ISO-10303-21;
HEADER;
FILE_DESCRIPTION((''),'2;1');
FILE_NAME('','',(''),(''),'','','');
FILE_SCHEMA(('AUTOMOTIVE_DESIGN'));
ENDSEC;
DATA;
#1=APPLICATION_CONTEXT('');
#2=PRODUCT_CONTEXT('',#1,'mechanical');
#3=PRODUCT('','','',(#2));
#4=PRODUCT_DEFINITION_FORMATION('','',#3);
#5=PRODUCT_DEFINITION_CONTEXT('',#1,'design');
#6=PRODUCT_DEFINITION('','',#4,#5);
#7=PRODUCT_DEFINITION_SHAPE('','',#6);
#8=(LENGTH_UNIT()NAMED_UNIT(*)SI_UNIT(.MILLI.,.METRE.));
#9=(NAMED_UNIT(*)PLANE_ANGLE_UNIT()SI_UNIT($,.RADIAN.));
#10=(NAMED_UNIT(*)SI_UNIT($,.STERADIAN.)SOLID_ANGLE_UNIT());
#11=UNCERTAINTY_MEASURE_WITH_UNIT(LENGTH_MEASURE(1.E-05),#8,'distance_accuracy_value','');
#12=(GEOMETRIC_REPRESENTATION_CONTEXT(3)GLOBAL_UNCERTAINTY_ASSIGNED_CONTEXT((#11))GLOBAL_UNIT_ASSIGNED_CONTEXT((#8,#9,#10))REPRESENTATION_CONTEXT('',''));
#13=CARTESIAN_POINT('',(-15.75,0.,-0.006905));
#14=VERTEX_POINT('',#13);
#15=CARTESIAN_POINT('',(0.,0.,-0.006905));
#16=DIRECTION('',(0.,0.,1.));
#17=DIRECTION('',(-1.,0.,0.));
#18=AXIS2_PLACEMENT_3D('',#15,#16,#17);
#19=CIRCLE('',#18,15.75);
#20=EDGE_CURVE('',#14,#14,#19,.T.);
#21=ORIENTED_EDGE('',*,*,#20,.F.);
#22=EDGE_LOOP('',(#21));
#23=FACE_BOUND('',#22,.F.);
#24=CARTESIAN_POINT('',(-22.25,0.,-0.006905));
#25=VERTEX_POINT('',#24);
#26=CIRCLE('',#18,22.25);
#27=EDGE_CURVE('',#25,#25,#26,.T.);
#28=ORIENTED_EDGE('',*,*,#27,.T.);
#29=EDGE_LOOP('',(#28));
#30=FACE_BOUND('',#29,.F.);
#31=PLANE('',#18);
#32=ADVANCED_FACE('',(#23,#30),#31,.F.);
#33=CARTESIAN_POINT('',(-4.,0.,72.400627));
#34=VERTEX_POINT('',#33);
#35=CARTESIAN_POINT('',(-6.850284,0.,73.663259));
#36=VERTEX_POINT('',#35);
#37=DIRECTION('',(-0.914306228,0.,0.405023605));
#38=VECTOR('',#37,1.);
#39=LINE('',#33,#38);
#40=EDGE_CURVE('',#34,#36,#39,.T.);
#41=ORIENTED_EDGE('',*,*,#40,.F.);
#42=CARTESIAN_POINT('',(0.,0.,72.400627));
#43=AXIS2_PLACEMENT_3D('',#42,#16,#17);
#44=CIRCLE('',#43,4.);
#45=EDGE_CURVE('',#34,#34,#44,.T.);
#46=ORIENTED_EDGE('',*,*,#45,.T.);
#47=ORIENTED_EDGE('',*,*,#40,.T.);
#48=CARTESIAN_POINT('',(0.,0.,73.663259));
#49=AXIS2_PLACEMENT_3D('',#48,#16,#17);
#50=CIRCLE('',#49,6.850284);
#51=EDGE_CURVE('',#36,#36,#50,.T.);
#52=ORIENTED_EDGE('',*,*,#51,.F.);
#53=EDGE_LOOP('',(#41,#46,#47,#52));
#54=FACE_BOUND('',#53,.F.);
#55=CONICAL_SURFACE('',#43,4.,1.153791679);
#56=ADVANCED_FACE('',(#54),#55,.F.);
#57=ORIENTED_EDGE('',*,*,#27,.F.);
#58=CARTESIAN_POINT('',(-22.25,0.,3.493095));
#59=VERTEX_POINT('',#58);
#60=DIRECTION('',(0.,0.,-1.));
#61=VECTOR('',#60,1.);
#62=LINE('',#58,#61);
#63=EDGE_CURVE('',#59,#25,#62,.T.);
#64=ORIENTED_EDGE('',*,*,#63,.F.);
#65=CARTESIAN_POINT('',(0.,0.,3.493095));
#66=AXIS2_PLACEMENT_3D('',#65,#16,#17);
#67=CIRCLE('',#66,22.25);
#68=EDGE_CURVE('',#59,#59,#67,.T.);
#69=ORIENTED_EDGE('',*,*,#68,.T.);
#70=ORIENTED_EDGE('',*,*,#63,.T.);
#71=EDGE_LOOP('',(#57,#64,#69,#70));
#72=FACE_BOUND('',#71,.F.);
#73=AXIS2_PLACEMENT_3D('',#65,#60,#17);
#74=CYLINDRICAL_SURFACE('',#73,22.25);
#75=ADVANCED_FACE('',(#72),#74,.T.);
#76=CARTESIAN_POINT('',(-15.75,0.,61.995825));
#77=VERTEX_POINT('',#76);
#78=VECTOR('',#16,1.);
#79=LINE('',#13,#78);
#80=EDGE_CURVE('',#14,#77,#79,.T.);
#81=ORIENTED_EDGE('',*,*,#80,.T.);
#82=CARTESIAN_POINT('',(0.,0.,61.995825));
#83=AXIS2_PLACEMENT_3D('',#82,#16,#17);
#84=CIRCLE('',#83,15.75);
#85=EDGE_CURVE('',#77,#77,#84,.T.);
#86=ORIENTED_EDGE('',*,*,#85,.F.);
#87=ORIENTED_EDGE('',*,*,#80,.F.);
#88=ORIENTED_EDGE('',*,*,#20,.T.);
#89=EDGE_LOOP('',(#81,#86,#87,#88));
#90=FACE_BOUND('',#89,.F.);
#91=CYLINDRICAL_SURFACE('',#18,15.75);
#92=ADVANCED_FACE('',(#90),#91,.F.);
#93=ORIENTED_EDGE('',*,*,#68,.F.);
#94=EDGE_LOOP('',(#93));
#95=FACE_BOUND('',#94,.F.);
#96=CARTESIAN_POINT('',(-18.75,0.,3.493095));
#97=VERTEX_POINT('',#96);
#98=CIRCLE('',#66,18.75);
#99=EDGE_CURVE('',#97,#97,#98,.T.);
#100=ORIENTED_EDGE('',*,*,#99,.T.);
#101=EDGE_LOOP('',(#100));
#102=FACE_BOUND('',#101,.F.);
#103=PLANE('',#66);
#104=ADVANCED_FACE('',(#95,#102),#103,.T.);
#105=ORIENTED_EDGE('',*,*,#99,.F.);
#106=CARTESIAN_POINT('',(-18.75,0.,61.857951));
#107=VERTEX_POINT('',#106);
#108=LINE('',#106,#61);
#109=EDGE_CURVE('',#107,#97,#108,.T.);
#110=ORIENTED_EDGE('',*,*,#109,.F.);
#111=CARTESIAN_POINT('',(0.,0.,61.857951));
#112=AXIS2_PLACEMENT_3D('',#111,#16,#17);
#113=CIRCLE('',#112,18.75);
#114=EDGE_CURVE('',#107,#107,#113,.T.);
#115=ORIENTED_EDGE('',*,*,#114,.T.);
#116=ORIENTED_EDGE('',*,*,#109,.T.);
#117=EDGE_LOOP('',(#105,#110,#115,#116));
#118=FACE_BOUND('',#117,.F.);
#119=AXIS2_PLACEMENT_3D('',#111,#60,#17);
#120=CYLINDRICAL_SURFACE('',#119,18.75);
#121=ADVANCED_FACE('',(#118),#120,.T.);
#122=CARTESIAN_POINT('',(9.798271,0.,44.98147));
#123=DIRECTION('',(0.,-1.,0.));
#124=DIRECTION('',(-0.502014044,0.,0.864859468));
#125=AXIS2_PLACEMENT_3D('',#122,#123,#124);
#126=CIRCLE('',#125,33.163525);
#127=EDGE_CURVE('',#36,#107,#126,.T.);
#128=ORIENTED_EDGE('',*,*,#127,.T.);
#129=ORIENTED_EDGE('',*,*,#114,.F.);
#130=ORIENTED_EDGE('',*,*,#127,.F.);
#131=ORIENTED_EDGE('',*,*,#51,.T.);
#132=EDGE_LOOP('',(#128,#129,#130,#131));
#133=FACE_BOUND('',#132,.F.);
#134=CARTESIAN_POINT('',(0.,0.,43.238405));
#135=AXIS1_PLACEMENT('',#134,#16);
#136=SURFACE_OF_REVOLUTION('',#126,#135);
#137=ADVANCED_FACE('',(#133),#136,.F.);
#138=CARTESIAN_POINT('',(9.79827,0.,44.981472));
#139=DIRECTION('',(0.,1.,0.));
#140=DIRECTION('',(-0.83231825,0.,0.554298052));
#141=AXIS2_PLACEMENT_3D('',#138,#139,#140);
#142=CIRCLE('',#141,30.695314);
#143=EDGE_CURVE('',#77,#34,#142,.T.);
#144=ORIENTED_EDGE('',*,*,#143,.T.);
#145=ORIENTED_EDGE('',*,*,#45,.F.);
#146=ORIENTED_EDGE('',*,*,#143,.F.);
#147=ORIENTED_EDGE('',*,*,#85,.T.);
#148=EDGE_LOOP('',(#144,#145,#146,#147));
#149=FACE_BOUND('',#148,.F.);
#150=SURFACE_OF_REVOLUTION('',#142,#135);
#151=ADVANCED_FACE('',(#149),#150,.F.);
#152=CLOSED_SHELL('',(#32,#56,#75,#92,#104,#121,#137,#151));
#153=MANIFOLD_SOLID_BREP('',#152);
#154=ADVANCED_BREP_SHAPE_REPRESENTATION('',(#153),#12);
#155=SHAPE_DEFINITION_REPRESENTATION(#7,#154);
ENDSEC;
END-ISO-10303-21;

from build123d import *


with BuildPart() as f1:
    # F0 (on Front) → F1 (revolve)
    with BuildSketch(Plane.XZ):
        with BuildLine():
            Line((-22.25, -0.006905), (-15.75, -0.006905))
            Line((-15.75, -0.006905), (-15.75, 61.995825))
            ThreePointArc((-15.75, 61.995825), (-10.551239, 67.961894), (-4, 72.400627))
            Line((-4, 72.400627), (-6.850284, 73.663259))
            ThreePointArc((-6.850284, 73.663259), (-13.558304, 68.52483), (-18.75, 61.857951))
            Line((-18.75, 61.857951), (-18.75, 3.493095))
            Line((-18.75, 3.493095), (-22.25, 3.493095))
            Line((-22.25, 3.493095), (-22.25, -0.006905))
        make_face()
    revolve(axis=Axis((0, 0, 43.238405), (0, 0, 1)))


solid = f1.part
